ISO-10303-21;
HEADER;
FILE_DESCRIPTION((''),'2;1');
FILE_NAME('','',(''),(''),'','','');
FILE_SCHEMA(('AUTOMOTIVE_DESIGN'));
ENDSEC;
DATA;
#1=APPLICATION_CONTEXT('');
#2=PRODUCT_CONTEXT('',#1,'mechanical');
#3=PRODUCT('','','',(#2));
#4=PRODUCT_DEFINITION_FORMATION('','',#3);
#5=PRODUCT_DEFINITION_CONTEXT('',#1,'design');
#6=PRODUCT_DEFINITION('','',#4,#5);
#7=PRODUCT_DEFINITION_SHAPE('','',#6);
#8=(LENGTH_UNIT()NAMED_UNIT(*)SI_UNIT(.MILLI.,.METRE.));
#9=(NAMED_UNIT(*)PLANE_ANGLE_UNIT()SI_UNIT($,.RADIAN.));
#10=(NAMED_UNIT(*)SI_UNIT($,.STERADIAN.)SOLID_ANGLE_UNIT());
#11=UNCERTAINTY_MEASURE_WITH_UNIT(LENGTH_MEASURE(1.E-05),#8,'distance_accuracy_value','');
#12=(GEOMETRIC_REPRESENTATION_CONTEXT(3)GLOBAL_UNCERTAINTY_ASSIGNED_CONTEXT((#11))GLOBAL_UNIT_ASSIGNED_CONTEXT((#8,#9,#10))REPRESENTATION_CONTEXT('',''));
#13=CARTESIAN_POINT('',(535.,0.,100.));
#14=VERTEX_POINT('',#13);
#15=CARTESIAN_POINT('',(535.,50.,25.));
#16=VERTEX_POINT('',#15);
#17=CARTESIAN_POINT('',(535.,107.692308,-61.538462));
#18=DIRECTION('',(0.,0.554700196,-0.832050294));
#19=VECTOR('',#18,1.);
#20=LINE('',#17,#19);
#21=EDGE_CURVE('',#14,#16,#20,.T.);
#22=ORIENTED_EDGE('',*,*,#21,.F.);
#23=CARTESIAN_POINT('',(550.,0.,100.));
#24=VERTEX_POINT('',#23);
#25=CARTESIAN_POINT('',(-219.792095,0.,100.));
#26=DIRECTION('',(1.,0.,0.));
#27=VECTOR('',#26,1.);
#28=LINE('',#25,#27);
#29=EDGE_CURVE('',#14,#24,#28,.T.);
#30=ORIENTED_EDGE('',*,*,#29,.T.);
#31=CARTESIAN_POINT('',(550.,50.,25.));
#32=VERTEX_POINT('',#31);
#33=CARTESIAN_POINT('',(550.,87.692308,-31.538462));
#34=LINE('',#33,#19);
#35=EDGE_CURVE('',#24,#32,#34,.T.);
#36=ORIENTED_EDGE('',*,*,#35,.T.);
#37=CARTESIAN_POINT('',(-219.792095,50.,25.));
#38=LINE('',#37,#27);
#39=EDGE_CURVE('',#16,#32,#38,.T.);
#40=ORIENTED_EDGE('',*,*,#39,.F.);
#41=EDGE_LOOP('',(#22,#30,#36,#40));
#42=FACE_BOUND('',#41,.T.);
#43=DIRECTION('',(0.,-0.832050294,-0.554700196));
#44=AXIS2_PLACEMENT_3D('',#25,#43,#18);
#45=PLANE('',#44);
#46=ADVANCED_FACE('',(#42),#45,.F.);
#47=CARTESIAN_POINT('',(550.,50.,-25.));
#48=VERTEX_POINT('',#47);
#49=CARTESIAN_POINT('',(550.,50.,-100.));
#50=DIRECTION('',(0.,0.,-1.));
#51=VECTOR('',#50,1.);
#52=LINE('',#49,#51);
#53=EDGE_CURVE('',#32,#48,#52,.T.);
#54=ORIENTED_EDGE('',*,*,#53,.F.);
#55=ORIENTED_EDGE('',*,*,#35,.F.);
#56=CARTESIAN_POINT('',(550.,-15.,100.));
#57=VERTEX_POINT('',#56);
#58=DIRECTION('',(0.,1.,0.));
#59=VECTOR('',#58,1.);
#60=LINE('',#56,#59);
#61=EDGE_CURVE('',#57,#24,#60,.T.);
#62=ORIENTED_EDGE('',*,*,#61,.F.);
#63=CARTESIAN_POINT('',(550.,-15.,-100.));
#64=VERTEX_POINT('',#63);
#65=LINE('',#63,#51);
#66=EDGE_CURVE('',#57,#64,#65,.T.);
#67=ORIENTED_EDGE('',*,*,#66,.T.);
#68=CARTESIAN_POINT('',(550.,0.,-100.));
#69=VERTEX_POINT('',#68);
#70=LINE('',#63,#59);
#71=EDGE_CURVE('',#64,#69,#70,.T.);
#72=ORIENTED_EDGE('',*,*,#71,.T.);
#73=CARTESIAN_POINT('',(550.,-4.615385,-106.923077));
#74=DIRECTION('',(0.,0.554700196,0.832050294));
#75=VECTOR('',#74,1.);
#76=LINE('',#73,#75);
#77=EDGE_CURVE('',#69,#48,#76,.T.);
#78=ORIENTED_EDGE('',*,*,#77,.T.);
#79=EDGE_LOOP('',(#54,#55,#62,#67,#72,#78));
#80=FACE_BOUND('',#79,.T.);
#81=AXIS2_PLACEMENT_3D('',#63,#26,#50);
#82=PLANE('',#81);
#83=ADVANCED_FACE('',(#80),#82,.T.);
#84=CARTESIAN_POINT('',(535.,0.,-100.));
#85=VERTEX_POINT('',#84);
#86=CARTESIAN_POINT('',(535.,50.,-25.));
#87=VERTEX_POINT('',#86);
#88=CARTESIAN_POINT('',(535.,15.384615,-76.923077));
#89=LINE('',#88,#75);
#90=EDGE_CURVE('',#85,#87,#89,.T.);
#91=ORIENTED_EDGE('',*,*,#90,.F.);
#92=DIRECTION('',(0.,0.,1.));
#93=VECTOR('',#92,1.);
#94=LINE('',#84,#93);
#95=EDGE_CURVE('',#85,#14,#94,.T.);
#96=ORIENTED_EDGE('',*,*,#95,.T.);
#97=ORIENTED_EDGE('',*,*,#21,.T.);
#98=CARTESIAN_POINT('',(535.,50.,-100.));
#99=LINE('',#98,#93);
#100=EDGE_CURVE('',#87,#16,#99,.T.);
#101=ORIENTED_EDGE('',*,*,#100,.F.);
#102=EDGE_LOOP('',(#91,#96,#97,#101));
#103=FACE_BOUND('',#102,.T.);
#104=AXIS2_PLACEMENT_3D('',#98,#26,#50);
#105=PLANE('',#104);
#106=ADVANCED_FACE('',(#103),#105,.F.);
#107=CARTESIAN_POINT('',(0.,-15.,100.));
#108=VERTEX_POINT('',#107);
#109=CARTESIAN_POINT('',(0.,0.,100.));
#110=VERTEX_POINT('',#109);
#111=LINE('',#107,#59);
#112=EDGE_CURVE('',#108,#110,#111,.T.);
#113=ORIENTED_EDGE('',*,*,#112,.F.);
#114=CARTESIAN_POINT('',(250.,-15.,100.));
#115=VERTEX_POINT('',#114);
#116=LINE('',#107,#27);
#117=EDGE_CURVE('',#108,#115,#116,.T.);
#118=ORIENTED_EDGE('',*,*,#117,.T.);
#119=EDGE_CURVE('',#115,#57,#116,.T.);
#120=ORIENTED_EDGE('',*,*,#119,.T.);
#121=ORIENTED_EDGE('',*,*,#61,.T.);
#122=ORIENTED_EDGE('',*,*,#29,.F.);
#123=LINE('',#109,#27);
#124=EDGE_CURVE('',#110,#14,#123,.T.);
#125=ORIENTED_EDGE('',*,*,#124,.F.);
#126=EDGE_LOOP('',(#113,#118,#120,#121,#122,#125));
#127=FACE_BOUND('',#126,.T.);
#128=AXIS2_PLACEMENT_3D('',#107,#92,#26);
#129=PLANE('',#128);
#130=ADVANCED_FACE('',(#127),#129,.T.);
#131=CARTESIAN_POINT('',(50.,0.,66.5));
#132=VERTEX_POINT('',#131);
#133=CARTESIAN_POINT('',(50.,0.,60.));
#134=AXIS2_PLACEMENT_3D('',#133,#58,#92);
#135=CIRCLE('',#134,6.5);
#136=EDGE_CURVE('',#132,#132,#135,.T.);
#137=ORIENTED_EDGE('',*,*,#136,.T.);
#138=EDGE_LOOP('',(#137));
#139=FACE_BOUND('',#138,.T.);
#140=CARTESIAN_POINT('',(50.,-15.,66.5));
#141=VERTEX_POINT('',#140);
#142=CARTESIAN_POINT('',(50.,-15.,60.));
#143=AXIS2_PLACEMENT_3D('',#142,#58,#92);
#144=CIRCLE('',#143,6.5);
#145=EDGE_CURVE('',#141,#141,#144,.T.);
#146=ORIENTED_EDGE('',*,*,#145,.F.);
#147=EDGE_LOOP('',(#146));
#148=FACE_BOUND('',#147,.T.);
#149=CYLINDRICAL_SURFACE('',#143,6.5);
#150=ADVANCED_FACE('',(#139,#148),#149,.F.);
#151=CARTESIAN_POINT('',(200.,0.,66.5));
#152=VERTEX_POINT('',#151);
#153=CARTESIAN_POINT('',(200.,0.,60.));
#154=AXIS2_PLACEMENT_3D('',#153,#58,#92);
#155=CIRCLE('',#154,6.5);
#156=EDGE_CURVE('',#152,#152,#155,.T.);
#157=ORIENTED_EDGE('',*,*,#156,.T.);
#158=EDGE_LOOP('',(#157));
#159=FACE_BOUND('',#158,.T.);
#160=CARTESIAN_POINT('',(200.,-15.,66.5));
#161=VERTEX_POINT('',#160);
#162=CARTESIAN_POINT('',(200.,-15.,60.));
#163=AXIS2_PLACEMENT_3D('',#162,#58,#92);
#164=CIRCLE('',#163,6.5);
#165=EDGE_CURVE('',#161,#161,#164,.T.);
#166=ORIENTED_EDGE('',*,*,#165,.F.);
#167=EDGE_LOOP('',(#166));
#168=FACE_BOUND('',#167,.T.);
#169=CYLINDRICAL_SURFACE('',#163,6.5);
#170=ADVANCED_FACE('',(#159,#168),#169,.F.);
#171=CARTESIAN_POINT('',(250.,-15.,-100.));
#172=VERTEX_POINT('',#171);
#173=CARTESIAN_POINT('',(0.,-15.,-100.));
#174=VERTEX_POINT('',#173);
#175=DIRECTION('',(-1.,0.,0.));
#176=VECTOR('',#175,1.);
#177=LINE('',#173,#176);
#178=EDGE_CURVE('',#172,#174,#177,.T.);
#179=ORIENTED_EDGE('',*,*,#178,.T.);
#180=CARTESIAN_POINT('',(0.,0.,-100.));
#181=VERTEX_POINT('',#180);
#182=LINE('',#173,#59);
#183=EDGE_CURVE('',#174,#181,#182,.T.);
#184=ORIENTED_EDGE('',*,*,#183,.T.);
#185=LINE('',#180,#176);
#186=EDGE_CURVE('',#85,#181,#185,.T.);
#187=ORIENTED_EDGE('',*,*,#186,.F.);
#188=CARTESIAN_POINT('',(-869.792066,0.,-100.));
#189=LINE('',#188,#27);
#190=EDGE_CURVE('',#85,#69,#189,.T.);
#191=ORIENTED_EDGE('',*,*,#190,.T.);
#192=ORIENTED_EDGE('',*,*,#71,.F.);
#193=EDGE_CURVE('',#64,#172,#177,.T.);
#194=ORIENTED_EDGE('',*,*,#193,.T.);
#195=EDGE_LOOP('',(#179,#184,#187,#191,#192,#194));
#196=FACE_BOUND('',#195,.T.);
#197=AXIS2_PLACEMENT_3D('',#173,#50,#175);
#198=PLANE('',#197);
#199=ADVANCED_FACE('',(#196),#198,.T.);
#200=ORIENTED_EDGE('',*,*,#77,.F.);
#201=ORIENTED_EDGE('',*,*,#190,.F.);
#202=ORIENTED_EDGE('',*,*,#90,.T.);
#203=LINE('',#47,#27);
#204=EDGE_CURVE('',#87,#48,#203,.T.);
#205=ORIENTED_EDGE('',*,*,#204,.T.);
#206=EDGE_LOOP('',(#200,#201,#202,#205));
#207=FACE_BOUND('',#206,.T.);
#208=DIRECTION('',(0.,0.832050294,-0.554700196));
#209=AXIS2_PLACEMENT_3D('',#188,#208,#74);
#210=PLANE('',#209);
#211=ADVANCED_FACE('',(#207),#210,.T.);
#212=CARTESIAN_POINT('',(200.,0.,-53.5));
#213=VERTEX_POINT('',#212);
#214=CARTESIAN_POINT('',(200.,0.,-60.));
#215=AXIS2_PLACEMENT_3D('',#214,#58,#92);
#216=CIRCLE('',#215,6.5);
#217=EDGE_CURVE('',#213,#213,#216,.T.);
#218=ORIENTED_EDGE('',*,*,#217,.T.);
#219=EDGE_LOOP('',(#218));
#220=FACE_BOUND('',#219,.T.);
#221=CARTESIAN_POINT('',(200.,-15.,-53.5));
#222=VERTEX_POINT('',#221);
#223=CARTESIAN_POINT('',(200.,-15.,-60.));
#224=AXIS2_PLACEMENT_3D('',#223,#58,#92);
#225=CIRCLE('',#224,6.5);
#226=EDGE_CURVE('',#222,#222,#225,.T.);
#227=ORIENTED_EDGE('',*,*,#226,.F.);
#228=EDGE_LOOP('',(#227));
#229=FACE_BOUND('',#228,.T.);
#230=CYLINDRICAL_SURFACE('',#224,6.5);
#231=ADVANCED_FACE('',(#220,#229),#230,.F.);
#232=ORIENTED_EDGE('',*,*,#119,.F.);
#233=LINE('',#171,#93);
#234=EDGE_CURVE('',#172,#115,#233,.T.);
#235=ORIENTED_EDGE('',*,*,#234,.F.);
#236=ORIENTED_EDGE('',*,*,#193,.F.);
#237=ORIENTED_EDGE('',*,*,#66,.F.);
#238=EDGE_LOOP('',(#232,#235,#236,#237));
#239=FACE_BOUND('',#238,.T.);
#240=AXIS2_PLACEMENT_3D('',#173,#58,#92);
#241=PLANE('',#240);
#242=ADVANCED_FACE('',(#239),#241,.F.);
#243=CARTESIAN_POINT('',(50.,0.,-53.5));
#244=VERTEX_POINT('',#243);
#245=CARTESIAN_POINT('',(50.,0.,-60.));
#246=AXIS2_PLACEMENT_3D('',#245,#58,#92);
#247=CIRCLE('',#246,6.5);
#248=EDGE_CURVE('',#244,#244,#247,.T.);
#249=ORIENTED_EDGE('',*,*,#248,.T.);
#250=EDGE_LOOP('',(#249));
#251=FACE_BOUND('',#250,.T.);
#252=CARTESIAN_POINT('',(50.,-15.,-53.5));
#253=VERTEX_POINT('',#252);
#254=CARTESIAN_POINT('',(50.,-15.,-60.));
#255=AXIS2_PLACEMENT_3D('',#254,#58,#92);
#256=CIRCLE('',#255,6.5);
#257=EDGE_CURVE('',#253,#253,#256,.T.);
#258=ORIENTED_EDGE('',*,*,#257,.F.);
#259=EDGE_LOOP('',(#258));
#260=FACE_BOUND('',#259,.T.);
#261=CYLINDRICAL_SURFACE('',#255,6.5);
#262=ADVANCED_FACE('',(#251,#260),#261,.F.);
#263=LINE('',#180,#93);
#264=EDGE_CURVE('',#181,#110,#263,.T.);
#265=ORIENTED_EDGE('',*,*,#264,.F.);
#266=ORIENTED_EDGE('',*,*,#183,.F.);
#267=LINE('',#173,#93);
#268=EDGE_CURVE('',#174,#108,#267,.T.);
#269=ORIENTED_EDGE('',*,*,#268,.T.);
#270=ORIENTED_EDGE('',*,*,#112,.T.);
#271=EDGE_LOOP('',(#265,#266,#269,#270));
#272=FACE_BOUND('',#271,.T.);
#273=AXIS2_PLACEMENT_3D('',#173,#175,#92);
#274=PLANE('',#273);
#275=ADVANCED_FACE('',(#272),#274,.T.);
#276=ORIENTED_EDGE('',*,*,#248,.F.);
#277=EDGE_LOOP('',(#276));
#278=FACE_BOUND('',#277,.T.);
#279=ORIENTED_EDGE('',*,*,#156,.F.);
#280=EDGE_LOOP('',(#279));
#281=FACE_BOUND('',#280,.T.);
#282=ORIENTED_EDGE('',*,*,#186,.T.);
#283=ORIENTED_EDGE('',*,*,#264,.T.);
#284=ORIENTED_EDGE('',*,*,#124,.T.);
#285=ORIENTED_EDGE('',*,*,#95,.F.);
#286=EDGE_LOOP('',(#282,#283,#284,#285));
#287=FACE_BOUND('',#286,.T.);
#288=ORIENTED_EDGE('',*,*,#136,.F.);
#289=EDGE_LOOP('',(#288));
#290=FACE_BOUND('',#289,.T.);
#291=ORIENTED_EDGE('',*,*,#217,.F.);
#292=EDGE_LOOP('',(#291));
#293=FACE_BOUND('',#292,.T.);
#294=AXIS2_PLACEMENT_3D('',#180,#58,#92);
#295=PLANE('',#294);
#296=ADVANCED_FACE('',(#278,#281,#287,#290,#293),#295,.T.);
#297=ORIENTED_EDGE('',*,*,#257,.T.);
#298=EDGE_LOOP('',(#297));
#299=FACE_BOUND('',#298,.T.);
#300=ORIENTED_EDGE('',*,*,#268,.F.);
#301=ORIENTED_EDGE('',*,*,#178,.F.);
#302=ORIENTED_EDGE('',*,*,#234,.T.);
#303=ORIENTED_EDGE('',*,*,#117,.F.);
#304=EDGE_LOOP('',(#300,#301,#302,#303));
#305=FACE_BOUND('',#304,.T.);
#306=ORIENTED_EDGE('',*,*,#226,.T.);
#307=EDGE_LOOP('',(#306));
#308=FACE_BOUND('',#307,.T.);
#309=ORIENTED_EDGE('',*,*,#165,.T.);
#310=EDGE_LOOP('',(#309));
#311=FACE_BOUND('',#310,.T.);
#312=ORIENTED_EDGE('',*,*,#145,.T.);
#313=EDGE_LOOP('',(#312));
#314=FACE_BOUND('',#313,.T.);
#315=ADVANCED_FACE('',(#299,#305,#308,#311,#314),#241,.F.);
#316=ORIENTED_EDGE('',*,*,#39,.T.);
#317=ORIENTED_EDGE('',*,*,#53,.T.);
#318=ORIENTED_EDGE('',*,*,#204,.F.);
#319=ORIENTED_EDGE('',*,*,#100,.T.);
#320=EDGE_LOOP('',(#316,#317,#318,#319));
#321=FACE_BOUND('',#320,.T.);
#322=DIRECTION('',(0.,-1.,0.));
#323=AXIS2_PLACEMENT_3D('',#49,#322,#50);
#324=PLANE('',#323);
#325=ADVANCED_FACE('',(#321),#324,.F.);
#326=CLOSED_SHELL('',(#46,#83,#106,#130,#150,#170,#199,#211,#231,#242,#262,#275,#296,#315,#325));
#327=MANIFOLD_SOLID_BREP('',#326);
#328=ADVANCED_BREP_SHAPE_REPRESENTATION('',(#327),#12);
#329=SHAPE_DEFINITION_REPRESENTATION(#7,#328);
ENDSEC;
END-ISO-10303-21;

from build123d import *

# Parameters (mm, degrees)
SKETCH1_W               = 550
SKETCH1_H               = 200
EXTRUDE1_DEPTH          = 15
SKETCH3_W               = 15
SKETCH3_H               = 200
EXTRUDE2_DEPTH          = 50
CUT_EXTRUDE3_DEPTH      = 536
CUT_EXTRUDE3_DEPTH_BACK = 16
CUT_EXTRUDE4_DEPTH      = 536
CUT_EXTRUDE4_DEPTH_BACK = 16
SKETCH8_R               = 6.5
CUT_EXTRUDE5_DEPTH      = 16


with BuildPart() as part:
    # Sketch1 → Extrude1 (new body)
    with BuildSketch(Plane(origin=(0, 0, 0), x_dir=(1, 0, 0), z_dir=(0, 1, 0))):
        with Locations((275, 0)):
            Rectangle(SKETCH1_W, SKETCH1_H)
    extrude(amount=-EXTRUDE1_DEPTH)

    # Sketch3 → Extrude2 (add)
    with BuildSketch(Plane(origin=(0, 0, 0), x_dir=(-1, 0, 0), z_dir=(0, 1, 0))):
        with Locations((-542.5, 0)):
            Rectangle(SKETCH3_W, SKETCH3_H)
    extrude(amount=EXTRUDE2_DEPTH)

    # Sketch4 → Cut-Extrude3 (cut, two sides)
    with BuildSketch(Plane.ZY.offset(-535)) as cut_extrude3_sk:
        Polygon((-100, 50), (-100, 0), (-25, 50), align=None)
    extrude(amount=CUT_EXTRUDE3_DEPTH, mode=Mode.SUBTRACT)
    extrude(cut_extrude3_sk.sketch, amount=-CUT_EXTRUDE3_DEPTH_BACK, mode=Mode.SUBTRACT)

    # Sketch7 → Cut-Extrude4 (cut, two sides)
    with BuildSketch(Plane.ZY.offset(-535)) as cut_extrude4_sk:
        Polygon((451.383627881, -234.255751921), (100, 0), (25, 50), (-326.383627881, 284.255751921), (142.12787596, 987.023007684), (919.895131723, 468.511503842), align=None)
    extrude(amount=CUT_EXTRUDE4_DEPTH, mode=Mode.SUBTRACT)
    extrude(cut_extrude4_sk.sketch, amount=-CUT_EXTRUDE4_DEPTH_BACK, mode=Mode.SUBTRACT)

    # Sketch8 → Cut-Extrude5 (cut, through all)
    with BuildSketch(Plane(origin=(0, 0, 0), x_dir=(-1, 0, 0), z_dir=(0, 1, 0))):
        with Locations((-50, -60)):
            Circle(SKETCH8_R)
        with Locations((-200, -60)):
            Circle(SKETCH8_R)
        with Locations((-50, 60)):
            Circle(SKETCH8_R)
        with Locations((-200, 60)):
            Circle(SKETCH8_R)
    extrude(amount=-CUT_EXTRUDE5_DEPTH, mode=Mode.SUBTRACT)


solid = part.part
